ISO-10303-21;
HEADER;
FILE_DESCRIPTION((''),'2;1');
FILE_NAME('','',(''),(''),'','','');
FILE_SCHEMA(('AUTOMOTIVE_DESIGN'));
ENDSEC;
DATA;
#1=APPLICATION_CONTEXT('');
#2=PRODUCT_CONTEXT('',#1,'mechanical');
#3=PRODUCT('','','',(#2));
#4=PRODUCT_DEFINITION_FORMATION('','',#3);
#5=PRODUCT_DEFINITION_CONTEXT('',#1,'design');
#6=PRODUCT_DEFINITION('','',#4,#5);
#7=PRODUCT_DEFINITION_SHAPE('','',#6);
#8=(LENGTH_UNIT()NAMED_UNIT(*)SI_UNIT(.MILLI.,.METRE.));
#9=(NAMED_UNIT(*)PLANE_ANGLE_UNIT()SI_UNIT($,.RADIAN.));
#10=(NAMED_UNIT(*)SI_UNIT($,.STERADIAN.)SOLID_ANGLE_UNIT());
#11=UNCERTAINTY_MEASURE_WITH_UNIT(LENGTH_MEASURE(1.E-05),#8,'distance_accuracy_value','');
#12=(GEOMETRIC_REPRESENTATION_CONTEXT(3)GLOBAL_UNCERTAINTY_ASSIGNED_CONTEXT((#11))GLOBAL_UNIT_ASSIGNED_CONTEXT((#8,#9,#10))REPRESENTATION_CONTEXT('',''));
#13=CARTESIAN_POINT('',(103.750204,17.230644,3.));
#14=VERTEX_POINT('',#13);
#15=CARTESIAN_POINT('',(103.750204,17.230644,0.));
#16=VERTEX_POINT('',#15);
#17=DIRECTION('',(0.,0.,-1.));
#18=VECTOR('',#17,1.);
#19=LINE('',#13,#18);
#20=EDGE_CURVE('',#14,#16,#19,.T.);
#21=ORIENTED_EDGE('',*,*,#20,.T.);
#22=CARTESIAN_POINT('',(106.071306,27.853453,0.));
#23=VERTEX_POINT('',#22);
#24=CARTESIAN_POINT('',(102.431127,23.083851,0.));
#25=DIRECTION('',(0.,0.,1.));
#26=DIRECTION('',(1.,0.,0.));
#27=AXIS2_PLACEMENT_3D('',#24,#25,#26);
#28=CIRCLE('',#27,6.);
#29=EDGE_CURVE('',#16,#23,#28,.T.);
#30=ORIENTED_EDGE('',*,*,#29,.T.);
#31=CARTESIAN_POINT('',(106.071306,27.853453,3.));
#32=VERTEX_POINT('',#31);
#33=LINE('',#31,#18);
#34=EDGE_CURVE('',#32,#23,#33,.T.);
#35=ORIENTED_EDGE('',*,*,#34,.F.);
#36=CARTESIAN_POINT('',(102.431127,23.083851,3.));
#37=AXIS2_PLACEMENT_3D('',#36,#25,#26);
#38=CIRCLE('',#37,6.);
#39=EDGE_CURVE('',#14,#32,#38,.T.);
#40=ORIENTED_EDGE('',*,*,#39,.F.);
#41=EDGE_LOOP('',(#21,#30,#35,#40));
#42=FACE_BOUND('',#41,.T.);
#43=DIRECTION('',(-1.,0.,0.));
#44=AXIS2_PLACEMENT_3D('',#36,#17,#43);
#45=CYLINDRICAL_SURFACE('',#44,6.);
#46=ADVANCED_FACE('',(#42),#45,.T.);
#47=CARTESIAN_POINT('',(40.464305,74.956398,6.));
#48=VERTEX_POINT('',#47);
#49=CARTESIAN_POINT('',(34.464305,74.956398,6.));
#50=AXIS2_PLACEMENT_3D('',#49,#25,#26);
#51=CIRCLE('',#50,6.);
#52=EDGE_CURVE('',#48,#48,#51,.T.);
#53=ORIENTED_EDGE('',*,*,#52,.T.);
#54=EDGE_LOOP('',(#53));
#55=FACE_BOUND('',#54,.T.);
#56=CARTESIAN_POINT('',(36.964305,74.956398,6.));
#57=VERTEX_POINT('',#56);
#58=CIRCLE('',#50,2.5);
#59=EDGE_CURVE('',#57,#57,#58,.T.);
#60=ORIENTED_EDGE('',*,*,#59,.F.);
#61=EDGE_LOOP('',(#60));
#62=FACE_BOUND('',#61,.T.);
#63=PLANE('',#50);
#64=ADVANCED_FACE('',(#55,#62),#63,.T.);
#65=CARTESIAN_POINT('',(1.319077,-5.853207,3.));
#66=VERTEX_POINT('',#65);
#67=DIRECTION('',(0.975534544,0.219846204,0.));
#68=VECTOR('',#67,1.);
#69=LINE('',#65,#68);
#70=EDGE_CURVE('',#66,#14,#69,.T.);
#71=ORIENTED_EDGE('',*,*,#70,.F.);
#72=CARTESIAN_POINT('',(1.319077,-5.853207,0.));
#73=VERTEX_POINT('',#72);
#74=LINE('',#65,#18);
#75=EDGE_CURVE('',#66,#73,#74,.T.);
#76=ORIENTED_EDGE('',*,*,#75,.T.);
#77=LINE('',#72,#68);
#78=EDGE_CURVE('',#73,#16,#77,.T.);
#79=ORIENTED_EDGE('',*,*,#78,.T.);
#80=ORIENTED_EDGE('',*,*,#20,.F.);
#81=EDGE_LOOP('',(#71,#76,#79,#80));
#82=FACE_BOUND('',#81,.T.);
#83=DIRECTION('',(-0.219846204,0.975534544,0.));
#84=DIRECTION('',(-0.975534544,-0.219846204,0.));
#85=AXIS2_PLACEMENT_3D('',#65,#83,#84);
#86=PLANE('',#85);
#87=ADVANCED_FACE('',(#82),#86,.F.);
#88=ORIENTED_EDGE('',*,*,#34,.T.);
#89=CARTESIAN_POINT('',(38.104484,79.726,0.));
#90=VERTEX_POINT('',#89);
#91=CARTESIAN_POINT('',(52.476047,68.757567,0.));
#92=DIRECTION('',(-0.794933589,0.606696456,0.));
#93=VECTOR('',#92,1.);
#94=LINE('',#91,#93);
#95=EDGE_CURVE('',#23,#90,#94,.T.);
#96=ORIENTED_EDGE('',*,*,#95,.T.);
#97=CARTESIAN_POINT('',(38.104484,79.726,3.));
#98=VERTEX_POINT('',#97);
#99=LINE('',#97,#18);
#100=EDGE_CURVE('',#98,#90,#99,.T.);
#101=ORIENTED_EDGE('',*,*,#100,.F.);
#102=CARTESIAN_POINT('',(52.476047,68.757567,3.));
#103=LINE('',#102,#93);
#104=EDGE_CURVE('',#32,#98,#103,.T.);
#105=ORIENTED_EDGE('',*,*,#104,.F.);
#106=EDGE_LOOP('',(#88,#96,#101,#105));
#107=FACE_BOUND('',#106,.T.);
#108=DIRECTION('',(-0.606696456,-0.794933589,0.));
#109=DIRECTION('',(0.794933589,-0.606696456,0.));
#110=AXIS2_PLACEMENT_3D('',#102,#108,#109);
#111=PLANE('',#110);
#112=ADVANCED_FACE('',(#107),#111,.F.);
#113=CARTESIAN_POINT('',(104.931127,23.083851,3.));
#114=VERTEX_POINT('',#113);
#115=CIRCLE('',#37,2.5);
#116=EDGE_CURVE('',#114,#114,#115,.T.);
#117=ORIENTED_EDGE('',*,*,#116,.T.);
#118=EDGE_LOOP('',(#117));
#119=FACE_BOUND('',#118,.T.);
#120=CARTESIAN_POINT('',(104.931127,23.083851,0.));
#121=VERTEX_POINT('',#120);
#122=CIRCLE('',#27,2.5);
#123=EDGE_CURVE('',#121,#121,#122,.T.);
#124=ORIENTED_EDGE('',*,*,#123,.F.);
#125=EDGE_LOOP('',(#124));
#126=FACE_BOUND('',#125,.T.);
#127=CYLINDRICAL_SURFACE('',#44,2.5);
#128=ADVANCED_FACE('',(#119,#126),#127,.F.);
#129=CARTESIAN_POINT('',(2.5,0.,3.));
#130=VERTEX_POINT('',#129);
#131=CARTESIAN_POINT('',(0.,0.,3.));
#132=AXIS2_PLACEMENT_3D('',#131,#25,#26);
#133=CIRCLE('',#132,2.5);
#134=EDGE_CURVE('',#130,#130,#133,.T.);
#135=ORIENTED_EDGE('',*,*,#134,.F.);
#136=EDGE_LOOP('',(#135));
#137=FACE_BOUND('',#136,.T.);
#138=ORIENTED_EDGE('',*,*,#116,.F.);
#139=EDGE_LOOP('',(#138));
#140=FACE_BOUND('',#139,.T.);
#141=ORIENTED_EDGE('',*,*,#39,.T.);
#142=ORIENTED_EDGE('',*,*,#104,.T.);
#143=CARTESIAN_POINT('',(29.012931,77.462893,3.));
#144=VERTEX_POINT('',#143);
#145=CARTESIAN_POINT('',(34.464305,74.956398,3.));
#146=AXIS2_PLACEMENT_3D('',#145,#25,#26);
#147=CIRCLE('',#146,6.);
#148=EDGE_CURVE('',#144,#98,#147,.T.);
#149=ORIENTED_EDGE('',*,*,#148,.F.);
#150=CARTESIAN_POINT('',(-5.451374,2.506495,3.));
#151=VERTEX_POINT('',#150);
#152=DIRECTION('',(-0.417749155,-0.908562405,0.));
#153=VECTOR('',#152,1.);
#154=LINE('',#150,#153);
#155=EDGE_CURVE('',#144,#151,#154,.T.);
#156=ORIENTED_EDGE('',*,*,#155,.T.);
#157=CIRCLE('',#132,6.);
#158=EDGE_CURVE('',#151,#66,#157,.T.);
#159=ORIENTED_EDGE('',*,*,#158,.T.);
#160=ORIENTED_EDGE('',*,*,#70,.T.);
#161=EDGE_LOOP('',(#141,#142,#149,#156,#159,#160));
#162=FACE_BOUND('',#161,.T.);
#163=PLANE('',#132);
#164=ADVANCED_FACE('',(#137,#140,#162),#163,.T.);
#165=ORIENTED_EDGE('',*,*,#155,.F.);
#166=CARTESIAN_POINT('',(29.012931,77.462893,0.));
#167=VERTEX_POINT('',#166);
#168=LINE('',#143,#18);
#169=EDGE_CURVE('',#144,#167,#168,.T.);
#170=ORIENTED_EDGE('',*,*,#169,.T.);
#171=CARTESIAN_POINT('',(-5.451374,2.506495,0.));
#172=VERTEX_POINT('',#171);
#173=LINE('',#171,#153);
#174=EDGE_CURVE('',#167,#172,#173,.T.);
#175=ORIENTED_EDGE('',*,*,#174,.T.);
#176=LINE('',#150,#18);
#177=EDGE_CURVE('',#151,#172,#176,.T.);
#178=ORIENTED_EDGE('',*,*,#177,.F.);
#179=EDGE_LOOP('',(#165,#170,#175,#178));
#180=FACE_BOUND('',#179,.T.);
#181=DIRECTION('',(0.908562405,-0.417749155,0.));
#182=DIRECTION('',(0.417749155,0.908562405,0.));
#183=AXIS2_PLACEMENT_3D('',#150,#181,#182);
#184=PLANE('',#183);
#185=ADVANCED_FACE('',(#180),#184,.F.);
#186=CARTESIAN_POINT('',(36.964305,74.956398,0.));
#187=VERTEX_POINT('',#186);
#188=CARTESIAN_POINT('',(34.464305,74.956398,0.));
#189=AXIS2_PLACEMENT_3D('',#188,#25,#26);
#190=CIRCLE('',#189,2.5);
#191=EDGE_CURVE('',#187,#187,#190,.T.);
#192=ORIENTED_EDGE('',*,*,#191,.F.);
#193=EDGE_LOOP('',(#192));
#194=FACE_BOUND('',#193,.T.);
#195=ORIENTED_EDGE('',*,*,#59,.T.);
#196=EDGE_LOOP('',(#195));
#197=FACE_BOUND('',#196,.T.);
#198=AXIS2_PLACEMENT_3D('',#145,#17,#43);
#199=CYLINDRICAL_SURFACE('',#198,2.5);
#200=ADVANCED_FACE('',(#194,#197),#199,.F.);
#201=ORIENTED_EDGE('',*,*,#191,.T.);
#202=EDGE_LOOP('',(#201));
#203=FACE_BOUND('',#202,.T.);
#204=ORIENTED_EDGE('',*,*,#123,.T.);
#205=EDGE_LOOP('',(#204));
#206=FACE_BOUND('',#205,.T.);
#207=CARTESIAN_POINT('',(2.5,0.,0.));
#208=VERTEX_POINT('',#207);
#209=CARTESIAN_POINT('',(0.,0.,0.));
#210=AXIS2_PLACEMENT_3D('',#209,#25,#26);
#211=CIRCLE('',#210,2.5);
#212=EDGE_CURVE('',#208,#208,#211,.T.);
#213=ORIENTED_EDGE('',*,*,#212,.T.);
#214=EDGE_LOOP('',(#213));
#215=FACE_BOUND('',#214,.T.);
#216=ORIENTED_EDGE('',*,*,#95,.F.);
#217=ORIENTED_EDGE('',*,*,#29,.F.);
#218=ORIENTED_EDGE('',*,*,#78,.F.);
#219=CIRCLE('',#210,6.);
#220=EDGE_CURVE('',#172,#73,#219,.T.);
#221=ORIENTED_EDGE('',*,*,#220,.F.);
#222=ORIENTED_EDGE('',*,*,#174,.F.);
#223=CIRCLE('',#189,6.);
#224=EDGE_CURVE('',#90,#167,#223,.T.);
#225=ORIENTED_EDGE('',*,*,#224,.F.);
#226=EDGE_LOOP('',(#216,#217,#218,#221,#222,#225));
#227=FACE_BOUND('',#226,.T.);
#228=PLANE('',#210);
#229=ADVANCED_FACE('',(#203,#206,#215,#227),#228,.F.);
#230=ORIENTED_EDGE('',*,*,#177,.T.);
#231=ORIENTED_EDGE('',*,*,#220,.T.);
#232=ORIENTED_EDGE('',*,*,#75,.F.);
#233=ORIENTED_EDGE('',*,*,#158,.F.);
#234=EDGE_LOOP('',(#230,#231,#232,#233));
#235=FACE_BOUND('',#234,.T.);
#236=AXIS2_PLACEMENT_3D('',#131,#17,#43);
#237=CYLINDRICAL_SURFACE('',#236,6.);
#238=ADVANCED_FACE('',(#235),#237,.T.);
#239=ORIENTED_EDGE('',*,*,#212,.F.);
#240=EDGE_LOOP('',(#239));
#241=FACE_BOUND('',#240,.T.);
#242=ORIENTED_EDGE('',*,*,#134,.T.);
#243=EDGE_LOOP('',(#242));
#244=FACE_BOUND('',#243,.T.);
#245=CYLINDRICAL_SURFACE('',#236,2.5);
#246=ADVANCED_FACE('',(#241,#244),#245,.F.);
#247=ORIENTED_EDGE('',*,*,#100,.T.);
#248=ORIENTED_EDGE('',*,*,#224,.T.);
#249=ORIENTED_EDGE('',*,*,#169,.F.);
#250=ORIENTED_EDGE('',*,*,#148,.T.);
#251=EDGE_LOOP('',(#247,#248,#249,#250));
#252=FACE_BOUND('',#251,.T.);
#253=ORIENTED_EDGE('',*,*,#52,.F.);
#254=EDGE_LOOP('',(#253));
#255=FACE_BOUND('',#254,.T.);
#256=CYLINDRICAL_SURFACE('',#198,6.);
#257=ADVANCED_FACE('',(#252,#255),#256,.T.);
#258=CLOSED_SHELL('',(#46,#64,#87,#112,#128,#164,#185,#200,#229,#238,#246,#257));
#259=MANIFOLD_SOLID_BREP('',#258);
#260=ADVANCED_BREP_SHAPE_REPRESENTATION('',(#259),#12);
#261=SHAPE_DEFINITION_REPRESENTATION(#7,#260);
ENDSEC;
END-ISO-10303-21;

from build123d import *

# Parameters (mm, degrees)
SKETCH_1_R      = 6
SKETCH_1_R_2    = 2.5
EXTRUDE_1_DEPTH = 3
EXTRUDE_START   = 3
SKETCH_1_3_R    = 6
SKETCH_1_3_R_2  = 2.5
EXTRUDE_2_DEPTH = 3


with BuildPart() as part:
    # 草图1 → 凸台-拉伸1 (new body)
    # profile 1 of 4: a face of its own
    with BuildSketch(Plane.XY):
        with BuildLine():
            ThreePointArc((40.464305263, 74.956398411), (33.181387998, 69.095159353), (29.012930833, 77.462893339))
            Line((29.012930833, 77.462893339), (-5.45137443, 2.506494928))
            ThreePointArc((-5.45137443, 2.506494928), (1.282917266, 5.861239058), (6, 0))
            ThreePointArc((6, 0), (4.685854424, -3.747368186), (1.319077226, -5.853207264))
            Line((1.319077226, -5.853207264), (103.75020434, 17.230644193))
            ThreePointArc((103.75020434, 17.230644193), (96.5694233, 24.364643554), (106.071305848, 27.85345299))
            Line((106.071305848, 27.85345299), (38.104483997, 79.725999944))
            ThreePointArc((38.104483997, 79.725999944), (39.842086981, 77.61712459), (40.464305263, 74.956398411))
        make_face()
    # profile 2 of 4: a face of its own
    with BuildSketch(Plane.XY):
        with Locations((34.464305263, 74.956398411)):
            Circle(SKETCH_1_R)
        with Locations((34.464305263, 74.956398411)):
            Circle(SKETCH_1_R_2, mode=Mode.SUBTRACT)
    # profile 3 of 4: a face of its own
    with BuildSketch(Plane.XY):
        Circle(SKETCH_1_R)
        Circle(SKETCH_1_R_2, mode=Mode.SUBTRACT)
    # profile 4 of 4: a face of its own
    with BuildSketch(Plane.XY):
        with Locations((102.431127114, 23.083851457)):
            Circle(SKETCH_1_R)
        with Locations((102.431127114, 23.083851457)):
            Circle(SKETCH_1_R_2, mode=Mode.SUBTRACT)
    extrude(amount=EXTRUDE_1_DEPTH)

    # 草图1<3> → 凸台-拉伸2 (add)
    with BuildSketch(Plane.XY.offset(EXTRUDE_START)):
        with Locations(Location((34.464305263, 74.956398411, 0), (0, 0, 155.307436438))):
            Circle(SKETCH_1_3_R)
        with Locations((34.464305263, 74.956398411)):
            Circle(SKETCH_1_3_R_2, mode=Mode.SUBTRACT)
    extrude(amount=EXTRUDE_2_DEPTH)


solid = part.part
